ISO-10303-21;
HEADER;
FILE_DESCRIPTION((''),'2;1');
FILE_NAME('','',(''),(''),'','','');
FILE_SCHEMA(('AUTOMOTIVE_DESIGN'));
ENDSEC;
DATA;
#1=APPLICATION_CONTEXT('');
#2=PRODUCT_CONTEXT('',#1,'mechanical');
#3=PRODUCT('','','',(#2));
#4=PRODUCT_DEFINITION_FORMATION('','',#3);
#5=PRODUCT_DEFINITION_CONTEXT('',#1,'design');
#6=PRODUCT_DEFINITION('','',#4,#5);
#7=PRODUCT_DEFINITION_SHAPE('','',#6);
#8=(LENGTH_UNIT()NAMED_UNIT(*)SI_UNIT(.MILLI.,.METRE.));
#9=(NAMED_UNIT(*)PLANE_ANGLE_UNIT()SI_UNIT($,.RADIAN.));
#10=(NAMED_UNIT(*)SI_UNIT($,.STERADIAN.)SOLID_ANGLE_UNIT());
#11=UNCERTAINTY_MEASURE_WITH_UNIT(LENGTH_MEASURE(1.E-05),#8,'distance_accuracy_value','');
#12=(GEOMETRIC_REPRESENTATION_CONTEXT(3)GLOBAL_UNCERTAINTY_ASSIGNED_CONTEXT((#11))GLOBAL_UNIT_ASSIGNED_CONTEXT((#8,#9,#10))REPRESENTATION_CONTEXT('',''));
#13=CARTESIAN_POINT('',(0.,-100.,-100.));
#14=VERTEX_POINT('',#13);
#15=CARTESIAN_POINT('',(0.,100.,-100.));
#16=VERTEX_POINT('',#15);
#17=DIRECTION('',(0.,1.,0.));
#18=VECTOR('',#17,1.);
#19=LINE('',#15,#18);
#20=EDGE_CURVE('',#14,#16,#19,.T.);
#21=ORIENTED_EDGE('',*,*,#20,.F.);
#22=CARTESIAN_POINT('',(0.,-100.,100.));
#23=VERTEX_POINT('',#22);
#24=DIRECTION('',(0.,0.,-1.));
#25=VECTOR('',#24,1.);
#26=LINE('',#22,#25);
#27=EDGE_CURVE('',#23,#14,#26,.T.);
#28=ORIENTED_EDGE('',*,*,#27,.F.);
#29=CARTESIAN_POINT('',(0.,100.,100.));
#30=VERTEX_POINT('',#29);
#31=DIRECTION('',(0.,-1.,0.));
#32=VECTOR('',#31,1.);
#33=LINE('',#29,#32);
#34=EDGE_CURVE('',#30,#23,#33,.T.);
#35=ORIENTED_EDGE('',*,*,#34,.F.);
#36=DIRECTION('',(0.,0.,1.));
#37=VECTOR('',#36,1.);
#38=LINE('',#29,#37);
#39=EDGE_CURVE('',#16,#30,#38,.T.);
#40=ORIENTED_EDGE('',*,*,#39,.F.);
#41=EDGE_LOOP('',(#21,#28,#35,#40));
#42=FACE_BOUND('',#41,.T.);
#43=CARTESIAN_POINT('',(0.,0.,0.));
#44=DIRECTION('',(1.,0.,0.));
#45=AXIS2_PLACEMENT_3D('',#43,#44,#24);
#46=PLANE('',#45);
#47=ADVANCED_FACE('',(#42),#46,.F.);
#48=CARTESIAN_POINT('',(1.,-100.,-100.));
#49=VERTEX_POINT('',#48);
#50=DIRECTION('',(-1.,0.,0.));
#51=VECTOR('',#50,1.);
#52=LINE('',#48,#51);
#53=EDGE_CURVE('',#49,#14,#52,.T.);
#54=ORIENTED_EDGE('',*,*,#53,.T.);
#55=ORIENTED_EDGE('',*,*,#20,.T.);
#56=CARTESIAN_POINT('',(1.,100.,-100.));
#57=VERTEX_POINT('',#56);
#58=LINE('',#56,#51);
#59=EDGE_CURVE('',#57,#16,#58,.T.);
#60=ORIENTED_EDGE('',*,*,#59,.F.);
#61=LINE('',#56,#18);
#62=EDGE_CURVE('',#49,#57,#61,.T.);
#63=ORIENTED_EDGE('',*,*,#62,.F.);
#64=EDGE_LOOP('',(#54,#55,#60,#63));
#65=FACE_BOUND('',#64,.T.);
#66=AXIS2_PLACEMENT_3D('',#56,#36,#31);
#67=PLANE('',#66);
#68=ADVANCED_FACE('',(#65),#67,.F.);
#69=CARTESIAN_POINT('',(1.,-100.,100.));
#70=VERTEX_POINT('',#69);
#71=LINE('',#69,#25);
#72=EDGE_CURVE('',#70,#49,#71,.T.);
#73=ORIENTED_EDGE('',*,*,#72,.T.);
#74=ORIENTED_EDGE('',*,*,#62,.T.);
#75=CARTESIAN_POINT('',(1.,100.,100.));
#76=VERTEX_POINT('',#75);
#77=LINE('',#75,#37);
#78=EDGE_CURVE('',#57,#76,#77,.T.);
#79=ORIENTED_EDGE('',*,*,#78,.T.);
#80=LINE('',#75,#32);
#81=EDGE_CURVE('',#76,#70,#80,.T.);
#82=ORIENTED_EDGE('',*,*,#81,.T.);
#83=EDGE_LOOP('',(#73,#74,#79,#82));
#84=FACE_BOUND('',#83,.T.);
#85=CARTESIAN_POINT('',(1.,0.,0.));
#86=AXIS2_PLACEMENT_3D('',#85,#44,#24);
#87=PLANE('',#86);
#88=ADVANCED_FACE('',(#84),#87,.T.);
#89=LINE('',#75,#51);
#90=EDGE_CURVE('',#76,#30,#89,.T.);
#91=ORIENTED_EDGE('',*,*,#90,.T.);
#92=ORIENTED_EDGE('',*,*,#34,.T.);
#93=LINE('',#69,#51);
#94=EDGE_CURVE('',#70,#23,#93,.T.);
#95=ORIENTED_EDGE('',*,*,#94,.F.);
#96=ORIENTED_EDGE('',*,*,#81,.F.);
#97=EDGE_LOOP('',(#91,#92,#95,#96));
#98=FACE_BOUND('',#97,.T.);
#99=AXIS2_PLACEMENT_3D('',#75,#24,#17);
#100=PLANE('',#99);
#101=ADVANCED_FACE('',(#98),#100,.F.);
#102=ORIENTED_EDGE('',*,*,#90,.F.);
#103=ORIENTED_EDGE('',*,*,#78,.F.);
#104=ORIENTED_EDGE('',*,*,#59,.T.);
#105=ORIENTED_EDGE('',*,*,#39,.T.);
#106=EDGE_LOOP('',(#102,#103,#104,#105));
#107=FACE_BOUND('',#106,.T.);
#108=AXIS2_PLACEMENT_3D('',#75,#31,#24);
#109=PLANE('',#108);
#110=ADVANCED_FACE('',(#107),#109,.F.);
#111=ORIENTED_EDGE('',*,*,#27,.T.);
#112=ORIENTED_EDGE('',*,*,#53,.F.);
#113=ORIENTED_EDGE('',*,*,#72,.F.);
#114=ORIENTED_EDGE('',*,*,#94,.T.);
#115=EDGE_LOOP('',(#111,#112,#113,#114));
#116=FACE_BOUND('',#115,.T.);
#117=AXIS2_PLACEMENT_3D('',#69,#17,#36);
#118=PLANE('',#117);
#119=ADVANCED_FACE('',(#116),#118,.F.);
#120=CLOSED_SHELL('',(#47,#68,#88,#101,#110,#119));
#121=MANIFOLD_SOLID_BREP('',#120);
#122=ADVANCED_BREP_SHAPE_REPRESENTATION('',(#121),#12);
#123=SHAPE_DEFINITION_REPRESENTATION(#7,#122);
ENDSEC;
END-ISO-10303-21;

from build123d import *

# Parameters (mm, degrees)
SKETCH_1_W      = 200
SKETCH_1_H      = 200
EXTRUDE_1_DEPTH = 1


with BuildPart() as part:
    # 草图1 → 凸台-拉伸1 (new body)
    with BuildSketch(Plane(origin=(0, 0, 0), x_dir=(0, 0, -1), z_dir=(1, 0, 0))):
        Rectangle(SKETCH_1_W, SKETCH_1_H)
    extrude(amount=EXTRUDE_1_DEPTH)


solid = part.part
